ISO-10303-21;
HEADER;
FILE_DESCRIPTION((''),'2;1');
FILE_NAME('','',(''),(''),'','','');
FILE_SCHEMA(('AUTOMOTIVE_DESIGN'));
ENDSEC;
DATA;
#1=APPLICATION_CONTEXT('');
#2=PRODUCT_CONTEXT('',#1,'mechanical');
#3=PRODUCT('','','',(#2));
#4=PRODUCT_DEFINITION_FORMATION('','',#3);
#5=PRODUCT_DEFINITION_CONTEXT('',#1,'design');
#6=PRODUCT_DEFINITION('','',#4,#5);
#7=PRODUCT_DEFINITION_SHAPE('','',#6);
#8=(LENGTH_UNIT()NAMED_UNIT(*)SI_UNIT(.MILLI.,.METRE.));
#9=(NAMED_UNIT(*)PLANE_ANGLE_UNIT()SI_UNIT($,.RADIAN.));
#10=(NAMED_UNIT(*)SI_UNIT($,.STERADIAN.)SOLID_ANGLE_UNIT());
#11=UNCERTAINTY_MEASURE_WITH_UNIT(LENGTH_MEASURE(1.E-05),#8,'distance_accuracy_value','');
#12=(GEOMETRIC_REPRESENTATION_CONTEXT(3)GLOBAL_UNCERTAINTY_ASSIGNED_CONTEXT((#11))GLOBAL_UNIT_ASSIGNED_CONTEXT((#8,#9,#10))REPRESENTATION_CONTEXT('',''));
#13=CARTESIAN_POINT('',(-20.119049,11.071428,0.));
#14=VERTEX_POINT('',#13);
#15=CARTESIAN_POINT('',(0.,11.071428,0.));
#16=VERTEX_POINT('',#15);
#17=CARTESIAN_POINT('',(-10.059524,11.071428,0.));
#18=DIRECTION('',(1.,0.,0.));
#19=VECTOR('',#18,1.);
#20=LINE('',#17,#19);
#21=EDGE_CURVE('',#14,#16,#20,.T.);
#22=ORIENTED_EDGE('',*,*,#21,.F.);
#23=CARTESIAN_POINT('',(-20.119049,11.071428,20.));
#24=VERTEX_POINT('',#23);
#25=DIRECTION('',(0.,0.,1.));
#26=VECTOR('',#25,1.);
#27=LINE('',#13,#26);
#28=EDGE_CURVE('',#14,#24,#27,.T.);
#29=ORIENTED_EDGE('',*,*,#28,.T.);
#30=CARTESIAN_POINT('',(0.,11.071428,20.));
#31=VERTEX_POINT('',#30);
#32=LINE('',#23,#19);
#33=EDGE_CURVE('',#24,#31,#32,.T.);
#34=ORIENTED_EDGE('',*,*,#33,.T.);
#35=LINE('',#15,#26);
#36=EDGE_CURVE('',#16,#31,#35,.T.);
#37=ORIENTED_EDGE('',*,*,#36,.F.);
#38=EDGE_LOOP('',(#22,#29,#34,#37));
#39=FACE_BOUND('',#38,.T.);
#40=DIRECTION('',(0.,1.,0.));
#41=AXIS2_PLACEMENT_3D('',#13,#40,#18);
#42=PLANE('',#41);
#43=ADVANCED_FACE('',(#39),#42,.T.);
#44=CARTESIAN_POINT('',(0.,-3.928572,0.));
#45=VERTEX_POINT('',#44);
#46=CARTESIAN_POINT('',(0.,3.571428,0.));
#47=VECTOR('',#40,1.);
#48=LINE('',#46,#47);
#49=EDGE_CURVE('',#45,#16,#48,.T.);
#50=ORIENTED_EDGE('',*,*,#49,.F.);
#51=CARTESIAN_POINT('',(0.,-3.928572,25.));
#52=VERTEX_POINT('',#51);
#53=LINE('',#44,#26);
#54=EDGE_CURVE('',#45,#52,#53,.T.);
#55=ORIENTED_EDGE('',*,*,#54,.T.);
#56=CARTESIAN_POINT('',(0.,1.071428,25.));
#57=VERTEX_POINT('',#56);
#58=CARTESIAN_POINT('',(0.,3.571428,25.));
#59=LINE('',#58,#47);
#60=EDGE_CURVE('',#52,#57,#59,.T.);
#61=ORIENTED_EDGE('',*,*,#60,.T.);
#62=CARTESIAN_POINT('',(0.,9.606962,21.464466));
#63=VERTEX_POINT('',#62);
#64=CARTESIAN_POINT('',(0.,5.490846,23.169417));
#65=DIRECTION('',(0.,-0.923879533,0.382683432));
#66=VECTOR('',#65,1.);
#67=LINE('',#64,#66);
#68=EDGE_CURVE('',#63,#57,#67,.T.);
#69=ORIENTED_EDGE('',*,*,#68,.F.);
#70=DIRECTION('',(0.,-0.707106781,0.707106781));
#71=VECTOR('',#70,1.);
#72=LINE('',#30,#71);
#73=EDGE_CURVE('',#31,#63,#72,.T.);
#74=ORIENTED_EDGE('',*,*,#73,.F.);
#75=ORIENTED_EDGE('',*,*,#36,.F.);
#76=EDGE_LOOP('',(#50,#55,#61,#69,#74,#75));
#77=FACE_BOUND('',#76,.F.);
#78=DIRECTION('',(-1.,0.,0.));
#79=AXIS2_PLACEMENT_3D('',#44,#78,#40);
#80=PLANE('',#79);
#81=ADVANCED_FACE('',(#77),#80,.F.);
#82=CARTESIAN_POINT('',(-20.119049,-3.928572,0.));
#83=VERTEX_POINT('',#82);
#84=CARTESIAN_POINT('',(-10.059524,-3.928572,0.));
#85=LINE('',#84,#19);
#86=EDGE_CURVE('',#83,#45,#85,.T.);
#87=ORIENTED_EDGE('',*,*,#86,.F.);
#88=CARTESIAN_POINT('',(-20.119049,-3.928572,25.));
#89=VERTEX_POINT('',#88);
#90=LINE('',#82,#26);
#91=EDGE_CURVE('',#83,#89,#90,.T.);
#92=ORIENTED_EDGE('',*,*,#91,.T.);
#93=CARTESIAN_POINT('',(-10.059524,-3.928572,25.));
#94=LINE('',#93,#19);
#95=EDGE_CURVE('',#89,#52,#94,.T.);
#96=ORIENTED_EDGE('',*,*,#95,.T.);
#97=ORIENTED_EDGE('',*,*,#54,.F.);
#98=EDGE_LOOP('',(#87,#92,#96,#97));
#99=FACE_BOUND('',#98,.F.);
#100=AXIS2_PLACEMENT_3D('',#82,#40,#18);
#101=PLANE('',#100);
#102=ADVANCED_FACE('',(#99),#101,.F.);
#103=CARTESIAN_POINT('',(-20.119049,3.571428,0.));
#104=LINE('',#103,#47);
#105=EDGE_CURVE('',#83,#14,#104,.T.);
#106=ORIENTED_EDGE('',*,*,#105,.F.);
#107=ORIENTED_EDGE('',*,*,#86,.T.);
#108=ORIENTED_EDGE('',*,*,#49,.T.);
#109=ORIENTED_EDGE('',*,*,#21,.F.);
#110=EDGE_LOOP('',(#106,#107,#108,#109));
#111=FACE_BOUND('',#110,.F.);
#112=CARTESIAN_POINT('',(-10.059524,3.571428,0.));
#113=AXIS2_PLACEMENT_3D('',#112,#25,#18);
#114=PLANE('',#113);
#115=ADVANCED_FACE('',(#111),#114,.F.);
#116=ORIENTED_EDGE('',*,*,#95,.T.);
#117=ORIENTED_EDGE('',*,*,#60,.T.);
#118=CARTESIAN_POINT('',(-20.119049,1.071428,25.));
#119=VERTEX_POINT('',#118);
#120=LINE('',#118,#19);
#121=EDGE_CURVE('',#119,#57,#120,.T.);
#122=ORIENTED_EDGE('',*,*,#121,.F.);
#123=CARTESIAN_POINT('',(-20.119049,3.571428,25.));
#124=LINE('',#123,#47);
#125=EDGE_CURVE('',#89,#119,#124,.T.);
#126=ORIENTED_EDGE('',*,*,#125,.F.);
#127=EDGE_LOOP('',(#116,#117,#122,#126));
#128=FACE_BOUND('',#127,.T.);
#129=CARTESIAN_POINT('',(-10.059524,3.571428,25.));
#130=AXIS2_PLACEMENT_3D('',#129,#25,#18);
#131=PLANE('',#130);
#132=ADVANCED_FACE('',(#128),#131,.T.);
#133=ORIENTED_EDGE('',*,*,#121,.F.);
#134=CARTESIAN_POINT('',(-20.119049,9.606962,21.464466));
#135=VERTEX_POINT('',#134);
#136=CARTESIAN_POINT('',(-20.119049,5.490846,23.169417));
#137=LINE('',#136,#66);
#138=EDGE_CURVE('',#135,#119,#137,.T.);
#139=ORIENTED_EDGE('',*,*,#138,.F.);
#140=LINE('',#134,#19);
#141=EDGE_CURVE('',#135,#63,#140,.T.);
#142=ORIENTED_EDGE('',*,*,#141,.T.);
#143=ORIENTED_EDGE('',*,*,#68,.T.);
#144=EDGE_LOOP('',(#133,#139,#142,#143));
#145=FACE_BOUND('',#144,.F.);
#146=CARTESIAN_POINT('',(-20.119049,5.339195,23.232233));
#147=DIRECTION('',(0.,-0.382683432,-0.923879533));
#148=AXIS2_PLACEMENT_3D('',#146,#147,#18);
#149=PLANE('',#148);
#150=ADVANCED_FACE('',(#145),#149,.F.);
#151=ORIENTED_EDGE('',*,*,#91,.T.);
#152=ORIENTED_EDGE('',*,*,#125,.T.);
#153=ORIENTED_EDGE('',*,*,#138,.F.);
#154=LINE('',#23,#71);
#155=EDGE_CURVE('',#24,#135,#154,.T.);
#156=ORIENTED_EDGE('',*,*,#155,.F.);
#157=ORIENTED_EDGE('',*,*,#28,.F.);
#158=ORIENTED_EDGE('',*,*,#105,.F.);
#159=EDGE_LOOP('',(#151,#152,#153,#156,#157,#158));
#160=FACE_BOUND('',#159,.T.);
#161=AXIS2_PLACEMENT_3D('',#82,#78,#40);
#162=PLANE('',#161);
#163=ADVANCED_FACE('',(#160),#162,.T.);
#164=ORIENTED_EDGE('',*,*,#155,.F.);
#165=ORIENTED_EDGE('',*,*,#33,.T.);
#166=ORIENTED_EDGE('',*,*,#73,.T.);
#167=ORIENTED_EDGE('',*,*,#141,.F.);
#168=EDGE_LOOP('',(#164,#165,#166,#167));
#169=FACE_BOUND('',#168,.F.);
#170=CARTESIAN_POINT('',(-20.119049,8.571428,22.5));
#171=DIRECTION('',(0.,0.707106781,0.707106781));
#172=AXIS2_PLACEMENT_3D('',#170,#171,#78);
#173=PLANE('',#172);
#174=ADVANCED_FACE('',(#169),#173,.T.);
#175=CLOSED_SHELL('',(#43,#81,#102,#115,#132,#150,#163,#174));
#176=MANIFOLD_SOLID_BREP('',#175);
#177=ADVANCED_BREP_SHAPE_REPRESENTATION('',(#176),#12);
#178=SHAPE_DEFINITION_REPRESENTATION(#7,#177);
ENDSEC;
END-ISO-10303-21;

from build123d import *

# Parameters (mm, degrees)
F0_W     = 20.1190489383
F0_H     = 15
F1_DEPTH = 25
F2_SIZE  = 5
F3_SIZE  = 5


with BuildPart() as f1:
    # F0 (on Top) → F1 (new body)
    with BuildSketch(Plane.XY):
        with Locations((-10.0595244691, 3.5714283609)):
            Rectangle(F0_W, F0_H)
    extrude(amount=F1_DEPTH)

    # F2
    f2_edges = [f1.edges().sort_by_distance(p)[0] for p in [
        (-10.059524, 11.071428, 25),
    ]]
    chamfer(f2_edges, length=F2_SIZE)

    # F3
    f3_edges = [f1.edges().sort_by_distance(p)[0] for p in [
        (-10.059524, 6.071428, 25),
    ]]
    chamfer(f3_edges, length=F3_SIZE)


solid = f1.part
